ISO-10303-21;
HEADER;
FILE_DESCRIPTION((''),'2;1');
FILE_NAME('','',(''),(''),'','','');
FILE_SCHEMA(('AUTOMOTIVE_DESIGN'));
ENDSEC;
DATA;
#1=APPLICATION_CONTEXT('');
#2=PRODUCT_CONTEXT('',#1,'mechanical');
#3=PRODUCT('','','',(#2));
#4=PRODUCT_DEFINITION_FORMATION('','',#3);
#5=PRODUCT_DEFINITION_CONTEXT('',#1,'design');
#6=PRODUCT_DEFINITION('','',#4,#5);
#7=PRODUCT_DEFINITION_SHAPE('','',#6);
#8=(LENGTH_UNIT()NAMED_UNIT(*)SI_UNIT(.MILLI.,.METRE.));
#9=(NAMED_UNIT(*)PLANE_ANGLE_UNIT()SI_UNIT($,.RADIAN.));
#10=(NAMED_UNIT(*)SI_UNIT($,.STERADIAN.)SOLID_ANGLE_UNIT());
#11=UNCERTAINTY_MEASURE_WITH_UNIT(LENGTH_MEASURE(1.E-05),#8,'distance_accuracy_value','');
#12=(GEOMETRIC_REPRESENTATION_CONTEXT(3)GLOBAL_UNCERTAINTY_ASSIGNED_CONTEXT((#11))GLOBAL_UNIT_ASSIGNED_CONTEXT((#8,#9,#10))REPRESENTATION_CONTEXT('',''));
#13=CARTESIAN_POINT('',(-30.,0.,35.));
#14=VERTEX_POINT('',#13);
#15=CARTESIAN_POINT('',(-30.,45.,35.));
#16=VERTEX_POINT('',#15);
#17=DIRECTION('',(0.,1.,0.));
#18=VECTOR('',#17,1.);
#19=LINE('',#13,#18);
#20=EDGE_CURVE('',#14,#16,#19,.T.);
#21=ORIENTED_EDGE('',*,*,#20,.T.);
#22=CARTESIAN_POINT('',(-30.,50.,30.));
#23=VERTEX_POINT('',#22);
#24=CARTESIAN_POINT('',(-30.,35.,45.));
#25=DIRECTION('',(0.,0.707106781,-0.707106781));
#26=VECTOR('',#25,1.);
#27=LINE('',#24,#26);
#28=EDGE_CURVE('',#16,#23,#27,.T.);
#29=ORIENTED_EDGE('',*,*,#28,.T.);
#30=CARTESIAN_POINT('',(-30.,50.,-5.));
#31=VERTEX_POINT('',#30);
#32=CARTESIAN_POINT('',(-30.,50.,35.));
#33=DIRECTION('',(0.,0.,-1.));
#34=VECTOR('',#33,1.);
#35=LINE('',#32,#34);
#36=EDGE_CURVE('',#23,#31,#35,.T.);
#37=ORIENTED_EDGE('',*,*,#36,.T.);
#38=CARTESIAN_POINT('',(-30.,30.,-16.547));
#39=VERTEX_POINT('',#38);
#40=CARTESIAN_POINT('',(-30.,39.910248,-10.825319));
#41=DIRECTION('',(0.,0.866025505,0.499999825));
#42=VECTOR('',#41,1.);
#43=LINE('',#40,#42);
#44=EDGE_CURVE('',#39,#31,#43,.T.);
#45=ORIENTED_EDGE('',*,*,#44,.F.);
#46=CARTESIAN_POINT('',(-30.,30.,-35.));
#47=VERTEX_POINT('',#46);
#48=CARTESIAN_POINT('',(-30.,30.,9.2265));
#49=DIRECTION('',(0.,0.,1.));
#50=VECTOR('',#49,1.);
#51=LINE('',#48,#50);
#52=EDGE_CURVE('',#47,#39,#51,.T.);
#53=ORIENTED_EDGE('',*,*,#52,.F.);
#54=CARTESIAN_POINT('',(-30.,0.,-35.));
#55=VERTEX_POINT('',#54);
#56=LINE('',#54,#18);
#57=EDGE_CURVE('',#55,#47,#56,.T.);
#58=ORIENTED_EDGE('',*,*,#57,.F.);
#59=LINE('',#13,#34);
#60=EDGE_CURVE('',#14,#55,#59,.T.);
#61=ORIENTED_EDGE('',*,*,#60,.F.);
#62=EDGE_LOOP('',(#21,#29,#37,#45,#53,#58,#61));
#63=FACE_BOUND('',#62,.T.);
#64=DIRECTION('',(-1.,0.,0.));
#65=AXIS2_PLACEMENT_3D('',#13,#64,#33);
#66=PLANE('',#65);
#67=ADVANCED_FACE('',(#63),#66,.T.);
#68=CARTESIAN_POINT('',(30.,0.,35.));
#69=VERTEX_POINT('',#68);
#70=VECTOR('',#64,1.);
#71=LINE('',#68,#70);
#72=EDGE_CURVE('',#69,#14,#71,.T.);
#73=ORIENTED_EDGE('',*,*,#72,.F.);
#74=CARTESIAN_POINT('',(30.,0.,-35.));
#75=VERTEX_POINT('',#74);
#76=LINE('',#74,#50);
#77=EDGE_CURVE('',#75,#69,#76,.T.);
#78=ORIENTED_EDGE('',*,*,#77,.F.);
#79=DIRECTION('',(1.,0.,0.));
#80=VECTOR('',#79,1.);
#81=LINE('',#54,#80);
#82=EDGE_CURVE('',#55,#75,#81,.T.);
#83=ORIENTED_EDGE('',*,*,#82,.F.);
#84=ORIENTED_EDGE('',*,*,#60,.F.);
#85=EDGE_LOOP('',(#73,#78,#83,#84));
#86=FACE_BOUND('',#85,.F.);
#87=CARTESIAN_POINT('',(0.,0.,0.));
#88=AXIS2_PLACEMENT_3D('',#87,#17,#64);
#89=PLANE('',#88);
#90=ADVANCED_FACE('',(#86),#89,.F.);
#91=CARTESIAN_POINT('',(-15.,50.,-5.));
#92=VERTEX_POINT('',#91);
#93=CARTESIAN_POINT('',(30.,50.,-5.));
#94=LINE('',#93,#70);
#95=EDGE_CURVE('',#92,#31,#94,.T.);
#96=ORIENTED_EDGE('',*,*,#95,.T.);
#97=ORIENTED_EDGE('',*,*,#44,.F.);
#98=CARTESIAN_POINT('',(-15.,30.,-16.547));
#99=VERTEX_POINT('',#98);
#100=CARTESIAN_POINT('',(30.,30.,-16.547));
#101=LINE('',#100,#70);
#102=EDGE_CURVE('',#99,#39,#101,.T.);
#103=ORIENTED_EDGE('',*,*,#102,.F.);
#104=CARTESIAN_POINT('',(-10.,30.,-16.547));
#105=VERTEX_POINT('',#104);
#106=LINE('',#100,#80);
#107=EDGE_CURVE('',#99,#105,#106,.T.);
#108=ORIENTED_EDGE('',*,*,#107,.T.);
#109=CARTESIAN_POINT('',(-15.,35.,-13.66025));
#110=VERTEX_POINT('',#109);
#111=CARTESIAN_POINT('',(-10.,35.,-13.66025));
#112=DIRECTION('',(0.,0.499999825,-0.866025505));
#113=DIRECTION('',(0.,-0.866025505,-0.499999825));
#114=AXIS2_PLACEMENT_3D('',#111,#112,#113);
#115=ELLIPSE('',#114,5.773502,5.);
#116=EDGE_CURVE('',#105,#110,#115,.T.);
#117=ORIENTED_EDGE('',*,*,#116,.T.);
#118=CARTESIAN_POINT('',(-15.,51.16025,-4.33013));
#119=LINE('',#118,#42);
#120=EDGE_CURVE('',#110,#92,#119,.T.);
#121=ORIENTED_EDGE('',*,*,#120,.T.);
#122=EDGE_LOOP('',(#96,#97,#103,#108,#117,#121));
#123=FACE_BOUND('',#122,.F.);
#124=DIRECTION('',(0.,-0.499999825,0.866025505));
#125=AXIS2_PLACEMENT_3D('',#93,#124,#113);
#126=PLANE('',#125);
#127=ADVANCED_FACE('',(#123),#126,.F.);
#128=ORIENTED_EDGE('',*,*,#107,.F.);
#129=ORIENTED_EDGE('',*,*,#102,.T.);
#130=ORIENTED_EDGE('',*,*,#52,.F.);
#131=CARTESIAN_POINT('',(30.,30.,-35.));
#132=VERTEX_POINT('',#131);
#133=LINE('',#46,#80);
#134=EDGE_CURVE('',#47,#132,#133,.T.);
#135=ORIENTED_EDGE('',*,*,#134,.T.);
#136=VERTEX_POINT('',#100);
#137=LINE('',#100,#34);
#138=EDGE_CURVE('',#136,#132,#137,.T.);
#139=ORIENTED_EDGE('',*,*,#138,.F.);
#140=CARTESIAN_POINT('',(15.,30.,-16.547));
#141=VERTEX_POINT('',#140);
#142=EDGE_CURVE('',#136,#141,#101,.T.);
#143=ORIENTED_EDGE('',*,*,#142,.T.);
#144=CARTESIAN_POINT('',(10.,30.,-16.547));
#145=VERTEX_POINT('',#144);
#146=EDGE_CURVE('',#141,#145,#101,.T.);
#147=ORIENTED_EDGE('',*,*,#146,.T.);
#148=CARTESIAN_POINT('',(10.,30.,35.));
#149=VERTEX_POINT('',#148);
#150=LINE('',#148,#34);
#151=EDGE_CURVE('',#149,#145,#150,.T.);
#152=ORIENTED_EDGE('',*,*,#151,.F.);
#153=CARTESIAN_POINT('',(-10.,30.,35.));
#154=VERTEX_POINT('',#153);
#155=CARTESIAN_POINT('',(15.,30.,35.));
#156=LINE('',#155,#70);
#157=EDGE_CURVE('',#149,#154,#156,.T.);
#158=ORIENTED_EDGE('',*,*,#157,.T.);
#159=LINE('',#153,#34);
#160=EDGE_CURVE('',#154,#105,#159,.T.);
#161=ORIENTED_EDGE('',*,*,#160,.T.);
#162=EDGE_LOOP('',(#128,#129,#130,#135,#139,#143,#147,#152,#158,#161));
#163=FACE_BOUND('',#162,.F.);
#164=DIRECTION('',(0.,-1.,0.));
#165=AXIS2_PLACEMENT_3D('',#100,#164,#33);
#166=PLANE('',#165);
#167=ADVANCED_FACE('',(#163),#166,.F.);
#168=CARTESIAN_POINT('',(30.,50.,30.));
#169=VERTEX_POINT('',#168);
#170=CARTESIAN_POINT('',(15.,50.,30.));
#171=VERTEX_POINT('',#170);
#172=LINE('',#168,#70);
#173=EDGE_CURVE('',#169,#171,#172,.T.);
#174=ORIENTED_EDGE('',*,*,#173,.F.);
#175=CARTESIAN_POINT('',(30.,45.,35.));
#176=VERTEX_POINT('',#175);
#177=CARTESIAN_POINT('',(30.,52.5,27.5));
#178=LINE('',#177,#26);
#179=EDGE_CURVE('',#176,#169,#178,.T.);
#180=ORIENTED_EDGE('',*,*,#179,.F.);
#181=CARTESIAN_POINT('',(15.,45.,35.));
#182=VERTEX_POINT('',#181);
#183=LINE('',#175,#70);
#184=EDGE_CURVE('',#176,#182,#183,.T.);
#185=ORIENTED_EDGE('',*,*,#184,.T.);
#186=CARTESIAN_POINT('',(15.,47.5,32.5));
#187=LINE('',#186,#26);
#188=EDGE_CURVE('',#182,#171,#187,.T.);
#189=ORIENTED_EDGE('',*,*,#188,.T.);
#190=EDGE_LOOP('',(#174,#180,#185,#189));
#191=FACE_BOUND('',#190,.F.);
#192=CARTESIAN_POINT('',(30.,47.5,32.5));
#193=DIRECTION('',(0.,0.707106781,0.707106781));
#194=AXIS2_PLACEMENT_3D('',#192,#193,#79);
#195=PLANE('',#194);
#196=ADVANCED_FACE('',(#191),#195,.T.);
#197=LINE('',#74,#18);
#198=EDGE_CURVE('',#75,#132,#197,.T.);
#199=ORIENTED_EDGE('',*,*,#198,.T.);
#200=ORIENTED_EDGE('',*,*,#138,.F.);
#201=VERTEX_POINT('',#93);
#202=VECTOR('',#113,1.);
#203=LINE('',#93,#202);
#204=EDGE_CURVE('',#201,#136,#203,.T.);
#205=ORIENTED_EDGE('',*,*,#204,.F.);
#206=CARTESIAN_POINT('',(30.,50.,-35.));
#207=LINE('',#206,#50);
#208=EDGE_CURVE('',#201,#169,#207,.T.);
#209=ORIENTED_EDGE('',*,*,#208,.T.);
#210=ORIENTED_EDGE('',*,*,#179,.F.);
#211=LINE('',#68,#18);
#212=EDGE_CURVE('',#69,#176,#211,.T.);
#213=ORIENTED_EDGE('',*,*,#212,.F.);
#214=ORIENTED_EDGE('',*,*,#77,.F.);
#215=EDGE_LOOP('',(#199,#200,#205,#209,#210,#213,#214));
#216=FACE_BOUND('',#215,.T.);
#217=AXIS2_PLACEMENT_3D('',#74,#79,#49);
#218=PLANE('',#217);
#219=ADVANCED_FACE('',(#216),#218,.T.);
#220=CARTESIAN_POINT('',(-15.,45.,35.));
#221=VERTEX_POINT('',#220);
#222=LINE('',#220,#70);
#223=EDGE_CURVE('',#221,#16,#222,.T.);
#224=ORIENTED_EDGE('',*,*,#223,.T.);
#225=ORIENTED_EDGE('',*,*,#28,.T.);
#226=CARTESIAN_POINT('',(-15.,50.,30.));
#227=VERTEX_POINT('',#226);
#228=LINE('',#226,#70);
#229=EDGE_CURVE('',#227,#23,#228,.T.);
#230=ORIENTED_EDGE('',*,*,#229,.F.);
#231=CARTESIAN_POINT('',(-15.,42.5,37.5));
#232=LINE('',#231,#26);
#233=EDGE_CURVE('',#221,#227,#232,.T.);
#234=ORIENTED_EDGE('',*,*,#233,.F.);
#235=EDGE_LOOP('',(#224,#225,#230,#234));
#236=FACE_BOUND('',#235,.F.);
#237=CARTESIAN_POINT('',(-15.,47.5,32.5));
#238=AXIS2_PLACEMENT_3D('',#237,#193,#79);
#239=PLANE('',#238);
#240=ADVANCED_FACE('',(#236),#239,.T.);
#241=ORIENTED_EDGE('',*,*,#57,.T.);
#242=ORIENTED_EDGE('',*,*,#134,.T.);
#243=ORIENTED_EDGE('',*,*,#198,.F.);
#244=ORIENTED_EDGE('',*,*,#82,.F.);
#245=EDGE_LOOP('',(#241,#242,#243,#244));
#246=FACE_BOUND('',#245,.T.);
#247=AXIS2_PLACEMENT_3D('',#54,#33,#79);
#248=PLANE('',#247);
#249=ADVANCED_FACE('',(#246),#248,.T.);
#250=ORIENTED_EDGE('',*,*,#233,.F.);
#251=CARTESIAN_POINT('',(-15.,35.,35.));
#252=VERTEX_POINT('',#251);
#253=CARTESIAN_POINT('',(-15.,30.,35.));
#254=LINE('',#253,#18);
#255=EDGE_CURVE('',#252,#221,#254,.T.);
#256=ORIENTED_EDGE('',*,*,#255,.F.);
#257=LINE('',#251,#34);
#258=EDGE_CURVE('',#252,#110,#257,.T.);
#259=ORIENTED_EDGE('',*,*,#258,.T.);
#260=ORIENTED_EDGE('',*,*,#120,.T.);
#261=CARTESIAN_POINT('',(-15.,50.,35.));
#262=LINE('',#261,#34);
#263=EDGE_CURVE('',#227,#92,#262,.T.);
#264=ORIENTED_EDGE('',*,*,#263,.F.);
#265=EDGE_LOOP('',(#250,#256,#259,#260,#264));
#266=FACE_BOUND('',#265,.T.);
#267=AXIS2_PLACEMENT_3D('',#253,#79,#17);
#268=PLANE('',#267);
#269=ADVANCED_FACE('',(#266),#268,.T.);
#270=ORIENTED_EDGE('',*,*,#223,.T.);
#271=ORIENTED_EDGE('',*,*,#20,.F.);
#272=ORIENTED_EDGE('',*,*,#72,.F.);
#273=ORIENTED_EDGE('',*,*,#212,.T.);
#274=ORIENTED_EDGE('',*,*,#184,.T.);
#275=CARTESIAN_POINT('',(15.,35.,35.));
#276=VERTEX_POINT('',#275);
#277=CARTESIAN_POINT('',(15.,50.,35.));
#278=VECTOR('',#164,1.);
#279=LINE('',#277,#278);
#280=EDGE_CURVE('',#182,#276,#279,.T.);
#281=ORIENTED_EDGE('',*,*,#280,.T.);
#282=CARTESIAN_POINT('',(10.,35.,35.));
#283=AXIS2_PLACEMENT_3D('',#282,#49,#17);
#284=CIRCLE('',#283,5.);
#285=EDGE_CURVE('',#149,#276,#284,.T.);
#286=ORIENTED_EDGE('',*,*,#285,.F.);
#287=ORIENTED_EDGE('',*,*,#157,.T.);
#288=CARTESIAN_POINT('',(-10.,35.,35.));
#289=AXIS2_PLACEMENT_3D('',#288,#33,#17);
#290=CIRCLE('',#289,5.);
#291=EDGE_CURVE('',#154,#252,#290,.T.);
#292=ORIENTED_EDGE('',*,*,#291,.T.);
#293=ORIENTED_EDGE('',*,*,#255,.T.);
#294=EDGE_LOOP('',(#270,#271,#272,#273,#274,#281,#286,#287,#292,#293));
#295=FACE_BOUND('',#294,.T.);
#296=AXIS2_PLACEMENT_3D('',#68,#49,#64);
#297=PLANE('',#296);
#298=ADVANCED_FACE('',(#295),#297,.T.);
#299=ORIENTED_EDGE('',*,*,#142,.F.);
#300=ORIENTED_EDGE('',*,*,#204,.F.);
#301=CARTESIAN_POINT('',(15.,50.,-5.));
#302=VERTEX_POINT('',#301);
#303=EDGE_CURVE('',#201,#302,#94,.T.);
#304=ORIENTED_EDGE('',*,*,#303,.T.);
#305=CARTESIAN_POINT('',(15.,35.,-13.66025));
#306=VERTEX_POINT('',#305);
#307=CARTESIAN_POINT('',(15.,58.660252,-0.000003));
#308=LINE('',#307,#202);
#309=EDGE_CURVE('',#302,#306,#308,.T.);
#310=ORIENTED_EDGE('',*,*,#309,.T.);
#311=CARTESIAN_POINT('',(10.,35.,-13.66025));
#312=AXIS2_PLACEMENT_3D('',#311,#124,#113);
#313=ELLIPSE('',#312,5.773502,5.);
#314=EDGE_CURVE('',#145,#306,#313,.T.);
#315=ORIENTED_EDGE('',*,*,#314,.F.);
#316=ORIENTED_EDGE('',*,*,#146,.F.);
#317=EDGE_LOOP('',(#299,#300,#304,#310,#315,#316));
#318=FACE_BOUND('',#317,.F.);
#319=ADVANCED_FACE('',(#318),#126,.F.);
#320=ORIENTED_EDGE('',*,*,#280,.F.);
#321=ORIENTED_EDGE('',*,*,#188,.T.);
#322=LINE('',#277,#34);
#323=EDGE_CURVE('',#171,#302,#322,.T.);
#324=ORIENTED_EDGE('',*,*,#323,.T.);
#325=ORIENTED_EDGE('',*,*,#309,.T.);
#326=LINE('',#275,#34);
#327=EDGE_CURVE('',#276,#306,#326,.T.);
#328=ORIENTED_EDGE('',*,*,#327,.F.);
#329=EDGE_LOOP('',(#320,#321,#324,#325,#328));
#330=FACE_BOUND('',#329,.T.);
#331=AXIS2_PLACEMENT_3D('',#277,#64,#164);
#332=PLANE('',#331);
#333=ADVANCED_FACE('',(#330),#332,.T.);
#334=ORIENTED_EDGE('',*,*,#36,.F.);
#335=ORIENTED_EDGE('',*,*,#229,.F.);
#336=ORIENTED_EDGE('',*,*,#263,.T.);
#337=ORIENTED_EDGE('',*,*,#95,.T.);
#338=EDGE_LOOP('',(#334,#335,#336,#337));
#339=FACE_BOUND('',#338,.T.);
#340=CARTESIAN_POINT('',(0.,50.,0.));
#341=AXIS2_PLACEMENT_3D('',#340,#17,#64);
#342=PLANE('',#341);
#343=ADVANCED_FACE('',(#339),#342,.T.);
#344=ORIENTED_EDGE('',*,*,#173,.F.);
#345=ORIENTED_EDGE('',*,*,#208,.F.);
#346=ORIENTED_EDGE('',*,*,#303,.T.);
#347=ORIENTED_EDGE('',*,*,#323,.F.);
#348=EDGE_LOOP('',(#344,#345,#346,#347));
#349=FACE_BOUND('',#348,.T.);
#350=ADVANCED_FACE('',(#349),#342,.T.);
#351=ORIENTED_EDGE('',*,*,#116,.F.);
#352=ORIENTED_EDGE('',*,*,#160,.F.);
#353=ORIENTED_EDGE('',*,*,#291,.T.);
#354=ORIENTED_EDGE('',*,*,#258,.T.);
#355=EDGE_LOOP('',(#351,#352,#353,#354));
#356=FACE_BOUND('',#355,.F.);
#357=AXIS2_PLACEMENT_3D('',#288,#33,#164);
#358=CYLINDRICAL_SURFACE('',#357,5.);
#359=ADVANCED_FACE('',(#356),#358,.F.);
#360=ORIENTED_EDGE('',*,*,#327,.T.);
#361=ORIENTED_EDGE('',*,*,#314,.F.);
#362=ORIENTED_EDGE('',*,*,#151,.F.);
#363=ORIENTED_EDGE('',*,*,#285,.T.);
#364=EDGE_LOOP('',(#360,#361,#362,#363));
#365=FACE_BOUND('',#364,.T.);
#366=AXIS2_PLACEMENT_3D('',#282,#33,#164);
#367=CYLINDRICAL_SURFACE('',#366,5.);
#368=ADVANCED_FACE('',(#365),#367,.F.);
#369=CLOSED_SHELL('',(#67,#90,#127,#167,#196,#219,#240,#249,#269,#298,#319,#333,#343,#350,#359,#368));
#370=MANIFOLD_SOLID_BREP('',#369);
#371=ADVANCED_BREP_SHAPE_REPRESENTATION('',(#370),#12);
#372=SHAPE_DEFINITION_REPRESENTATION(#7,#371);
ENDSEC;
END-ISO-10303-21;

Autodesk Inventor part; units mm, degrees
ref_plane "YZ Plane" through (0, 0, 0) normal (1, 0, 0) x (0, 1, 0)
ref_plane "XZ Plane" through (0, 0, 0) normal (0, 1, 0) x (-1, 0, 0)
ref_plane "XY Plane" through (0, 0, 0) normal (0, 0, 1) x (1, 0, 0)
sketch "Esboço1" plane through (0, 0, 0) normal (0, 1, 0) x (-1, 0, 0)
  line L0 (30, -35) -> (-30, -35)
  line L1 (-30, -35) -> (-30, 35)
  line L2 (-30, 35) -> (30, 35)
  line L3 (30, 35) -> (30, -35)
  line L4 (30, -35) -> (-30, 35) construction
  line L5 (-30, -35) -> (30, 35) construction
  point P0 (0, 0)
  dimension "d0" = 60
  dimension "d1" = 70
extrude "Extrusão1" add sketch "Esboço1" along normal blind 50
sketch "Esboço3" plane through (30, 0, 35) normal (1, 0, 0) x (0, 0, -1)
  line L0 (0, 50) -> (70, 50) projected
  line L1 (40, 50) -> (51.547, 30)
  line L2 (51.547, 30) -> (70, 30)
  line L3 (40, 50) -> (70, 50)
  line L4 (70, 0) -> (70, 50) projected
  line L5 (70, 30) -> (70, 50)
  point P0 (35, 0)
  dimension "d6" = 20
  dimension "d7" = 30
  dimension "d8" = 60
extrude "Extrusão2" cut sketch "Esboço3" against normal through all
sketch "Esboço4" plane through (-30, 0, 35) normal (0, 0, 1) x (1, 0, 0)
  line L0 (15, 50) -> (45, 50)
  line L1 (45, 50) -> (45, 30)
  line L2 (45, 30) -> (15, 30)
  line L3 (15, 30) -> (15, 50)
  line L4 (0, 50) -> (60, 50) projected
  point P0 (30, 0)
  point P1 (30, 50)
  dimension "d11" = 30
  dimension "d12" = 20
extrude "Extrusão3" cut sketch "Esboço4" against normal through all
fillet "Arredondamento1" radius 5 2 edges at (-15, 30, 9.2265) (15, 30, 9.2265)
chamfer "Chanfro1" distance 5 angle 45 2 edges at (-22.5, 50, 35) (22.5, 50, 35)
properties part number "3D Model"
